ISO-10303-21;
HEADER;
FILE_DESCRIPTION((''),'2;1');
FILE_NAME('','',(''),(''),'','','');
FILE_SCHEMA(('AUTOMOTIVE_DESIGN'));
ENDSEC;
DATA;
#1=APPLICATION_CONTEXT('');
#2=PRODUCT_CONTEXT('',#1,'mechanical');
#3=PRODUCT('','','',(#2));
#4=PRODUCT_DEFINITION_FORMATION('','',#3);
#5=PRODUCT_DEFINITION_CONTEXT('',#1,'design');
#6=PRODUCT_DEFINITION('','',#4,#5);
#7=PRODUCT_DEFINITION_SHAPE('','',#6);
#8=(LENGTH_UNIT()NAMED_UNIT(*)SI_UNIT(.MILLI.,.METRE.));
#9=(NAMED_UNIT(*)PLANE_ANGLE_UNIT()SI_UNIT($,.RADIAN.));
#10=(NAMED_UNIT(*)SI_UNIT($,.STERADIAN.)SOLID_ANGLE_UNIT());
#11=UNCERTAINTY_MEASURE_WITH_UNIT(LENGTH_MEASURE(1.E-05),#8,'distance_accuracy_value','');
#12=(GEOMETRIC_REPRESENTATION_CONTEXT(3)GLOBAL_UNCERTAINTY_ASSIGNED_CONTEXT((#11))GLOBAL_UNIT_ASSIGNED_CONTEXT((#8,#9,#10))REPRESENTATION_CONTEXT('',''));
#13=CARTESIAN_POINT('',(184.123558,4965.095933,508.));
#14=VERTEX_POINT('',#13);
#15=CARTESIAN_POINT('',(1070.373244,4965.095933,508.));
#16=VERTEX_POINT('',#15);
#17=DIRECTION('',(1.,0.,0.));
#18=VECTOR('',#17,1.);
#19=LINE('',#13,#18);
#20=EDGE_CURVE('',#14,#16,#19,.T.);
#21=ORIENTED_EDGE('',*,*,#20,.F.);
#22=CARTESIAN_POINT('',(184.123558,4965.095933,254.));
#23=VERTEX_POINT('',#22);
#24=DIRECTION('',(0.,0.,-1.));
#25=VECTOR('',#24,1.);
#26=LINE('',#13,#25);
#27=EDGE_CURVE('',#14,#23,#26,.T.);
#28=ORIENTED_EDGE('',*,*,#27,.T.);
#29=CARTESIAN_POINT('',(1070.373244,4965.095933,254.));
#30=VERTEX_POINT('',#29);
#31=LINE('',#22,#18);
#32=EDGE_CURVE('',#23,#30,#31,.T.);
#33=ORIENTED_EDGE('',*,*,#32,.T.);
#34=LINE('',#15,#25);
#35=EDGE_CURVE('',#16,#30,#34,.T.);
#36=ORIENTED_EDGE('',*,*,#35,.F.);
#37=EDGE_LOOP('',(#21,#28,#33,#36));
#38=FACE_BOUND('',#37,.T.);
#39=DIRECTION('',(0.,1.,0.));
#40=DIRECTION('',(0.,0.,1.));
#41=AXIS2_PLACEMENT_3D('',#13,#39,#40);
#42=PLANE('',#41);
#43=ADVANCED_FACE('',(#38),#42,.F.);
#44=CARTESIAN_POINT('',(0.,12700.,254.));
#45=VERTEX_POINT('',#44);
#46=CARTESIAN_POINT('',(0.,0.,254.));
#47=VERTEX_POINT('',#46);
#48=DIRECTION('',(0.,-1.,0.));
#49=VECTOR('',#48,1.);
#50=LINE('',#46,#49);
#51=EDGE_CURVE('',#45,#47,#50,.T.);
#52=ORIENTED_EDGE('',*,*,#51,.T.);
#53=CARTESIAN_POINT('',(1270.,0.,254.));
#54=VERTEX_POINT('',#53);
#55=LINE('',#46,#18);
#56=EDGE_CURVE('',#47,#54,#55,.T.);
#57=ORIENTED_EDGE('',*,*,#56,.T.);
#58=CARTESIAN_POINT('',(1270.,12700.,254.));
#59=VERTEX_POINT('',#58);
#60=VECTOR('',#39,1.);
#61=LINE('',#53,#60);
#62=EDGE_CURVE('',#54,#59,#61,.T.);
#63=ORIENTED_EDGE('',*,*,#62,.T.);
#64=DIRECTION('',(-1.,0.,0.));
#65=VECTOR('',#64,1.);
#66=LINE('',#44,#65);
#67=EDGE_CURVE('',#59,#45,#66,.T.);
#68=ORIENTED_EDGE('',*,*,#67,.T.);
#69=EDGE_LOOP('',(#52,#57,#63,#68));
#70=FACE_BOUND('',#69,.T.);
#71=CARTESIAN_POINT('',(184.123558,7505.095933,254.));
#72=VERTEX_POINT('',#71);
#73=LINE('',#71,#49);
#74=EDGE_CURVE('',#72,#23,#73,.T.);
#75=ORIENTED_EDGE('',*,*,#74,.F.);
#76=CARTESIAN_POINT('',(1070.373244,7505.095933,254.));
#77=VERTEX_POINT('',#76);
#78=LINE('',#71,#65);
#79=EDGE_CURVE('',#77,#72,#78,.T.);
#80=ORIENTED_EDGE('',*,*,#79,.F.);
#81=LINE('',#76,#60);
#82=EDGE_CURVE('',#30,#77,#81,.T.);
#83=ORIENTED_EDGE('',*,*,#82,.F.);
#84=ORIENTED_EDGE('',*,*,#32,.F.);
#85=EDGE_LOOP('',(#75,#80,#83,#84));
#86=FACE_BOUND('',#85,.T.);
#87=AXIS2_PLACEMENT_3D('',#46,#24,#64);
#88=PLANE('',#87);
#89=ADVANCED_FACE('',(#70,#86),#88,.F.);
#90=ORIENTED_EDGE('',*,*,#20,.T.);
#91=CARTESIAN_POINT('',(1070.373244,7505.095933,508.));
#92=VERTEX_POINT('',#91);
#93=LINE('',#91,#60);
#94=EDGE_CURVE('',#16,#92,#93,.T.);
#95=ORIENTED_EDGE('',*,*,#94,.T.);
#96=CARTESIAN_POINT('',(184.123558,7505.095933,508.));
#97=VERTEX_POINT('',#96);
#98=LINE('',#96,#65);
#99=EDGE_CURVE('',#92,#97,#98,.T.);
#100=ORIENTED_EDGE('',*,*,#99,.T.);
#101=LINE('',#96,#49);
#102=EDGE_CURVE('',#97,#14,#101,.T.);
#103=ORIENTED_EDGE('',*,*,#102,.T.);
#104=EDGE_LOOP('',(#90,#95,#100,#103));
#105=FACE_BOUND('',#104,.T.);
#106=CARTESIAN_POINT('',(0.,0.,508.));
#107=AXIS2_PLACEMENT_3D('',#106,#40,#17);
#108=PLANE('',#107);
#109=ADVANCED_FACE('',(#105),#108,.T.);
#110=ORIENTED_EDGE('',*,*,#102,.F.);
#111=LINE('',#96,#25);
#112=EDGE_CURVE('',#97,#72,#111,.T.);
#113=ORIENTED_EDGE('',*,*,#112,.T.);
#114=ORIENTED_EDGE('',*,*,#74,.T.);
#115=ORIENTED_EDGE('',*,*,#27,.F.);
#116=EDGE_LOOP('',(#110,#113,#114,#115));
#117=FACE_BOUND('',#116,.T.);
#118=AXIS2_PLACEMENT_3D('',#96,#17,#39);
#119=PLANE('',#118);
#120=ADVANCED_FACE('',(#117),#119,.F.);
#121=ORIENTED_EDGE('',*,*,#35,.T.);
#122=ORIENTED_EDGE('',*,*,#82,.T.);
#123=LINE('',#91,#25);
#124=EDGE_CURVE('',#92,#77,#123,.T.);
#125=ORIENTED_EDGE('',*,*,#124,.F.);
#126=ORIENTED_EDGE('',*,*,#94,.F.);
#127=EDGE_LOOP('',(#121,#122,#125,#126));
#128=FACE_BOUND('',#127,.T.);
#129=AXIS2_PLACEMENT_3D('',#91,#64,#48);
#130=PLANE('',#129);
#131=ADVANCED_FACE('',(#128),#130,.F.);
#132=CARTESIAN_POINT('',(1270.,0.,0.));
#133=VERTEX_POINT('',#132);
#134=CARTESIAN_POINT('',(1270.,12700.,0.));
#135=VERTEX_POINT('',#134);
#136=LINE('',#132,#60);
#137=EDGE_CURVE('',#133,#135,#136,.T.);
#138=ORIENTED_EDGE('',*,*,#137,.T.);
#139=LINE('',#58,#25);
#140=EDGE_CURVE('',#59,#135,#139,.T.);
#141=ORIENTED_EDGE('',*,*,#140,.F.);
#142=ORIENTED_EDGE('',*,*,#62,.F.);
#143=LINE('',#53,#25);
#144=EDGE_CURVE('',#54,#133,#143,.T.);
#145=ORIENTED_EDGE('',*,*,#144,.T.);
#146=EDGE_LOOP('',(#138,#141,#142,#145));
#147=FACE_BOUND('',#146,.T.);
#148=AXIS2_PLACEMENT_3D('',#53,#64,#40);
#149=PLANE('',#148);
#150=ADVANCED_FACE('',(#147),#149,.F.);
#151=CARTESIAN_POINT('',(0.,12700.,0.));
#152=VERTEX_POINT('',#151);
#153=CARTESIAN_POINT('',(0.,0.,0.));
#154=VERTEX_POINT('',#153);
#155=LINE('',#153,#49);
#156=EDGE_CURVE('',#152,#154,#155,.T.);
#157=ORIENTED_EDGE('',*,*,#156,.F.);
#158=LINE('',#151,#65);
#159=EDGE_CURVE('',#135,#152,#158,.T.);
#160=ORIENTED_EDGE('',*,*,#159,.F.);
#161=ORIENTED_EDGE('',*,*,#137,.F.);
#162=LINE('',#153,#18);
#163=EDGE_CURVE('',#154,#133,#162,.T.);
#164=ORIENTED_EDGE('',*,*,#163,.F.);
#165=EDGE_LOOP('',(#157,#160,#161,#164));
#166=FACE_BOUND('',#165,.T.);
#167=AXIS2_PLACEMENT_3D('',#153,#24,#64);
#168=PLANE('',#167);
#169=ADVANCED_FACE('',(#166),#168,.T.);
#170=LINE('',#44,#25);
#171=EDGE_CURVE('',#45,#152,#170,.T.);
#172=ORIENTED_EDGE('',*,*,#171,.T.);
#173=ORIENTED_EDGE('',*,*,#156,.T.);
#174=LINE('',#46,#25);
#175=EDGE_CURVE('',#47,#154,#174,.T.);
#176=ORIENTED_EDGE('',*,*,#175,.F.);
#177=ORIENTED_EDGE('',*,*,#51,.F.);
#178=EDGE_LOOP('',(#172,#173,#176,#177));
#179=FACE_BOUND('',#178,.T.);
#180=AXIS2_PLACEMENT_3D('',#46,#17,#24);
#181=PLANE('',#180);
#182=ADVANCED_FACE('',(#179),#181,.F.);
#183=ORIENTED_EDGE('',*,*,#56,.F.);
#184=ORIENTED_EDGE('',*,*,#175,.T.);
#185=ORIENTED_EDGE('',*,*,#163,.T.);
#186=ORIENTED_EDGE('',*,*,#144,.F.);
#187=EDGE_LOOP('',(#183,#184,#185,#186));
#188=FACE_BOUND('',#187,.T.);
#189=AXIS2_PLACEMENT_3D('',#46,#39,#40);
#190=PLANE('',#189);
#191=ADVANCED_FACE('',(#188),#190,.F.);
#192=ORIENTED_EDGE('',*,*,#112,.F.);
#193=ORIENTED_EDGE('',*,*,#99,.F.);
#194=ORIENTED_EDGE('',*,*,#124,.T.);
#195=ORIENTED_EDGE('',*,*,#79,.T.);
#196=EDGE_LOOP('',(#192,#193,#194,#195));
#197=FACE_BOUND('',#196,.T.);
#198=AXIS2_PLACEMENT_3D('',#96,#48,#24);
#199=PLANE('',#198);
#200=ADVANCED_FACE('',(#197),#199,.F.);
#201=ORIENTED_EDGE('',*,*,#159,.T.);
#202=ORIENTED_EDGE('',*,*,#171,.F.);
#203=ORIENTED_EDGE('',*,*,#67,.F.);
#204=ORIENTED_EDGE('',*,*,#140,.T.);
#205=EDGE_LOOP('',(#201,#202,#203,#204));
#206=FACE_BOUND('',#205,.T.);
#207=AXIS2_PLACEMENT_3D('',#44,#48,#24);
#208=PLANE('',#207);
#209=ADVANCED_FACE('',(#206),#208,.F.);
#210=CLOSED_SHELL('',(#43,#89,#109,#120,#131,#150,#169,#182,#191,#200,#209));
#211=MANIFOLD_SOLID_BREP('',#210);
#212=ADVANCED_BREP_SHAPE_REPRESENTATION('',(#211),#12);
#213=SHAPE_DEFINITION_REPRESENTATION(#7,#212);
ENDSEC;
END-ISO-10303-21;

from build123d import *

# Parameters (mm, degrees)
SKETCH1_W           = 1270
SKETCH1_H           = 12700
BOSS_EXTRUDE1_DEPTH = 254
SKETCH2_W           = 886.249685286
SKETCH2_H           = 2540
BOSS_EXTRUDE2_DEPTH = 254


with BuildPart() as part:
    # Sketch1 → Boss-Extrude1 (new body)
    with BuildSketch(Plane.XY):
        with Locations((635, 6350)):
            Rectangle(SKETCH1_W, SKETCH1_H)
    extrude(amount=BOSS_EXTRUDE1_DEPTH)

    # Sketch2 → Boss-Extrude2 (add)
    with BuildSketch(Plane.XY.offset(254)):
        with Locations((627.248400955, 6235.095933428)):
            Rectangle(SKETCH2_W, SKETCH2_H)
    extrude(amount=BOSS_EXTRUDE2_DEPTH)


solid = part.part
